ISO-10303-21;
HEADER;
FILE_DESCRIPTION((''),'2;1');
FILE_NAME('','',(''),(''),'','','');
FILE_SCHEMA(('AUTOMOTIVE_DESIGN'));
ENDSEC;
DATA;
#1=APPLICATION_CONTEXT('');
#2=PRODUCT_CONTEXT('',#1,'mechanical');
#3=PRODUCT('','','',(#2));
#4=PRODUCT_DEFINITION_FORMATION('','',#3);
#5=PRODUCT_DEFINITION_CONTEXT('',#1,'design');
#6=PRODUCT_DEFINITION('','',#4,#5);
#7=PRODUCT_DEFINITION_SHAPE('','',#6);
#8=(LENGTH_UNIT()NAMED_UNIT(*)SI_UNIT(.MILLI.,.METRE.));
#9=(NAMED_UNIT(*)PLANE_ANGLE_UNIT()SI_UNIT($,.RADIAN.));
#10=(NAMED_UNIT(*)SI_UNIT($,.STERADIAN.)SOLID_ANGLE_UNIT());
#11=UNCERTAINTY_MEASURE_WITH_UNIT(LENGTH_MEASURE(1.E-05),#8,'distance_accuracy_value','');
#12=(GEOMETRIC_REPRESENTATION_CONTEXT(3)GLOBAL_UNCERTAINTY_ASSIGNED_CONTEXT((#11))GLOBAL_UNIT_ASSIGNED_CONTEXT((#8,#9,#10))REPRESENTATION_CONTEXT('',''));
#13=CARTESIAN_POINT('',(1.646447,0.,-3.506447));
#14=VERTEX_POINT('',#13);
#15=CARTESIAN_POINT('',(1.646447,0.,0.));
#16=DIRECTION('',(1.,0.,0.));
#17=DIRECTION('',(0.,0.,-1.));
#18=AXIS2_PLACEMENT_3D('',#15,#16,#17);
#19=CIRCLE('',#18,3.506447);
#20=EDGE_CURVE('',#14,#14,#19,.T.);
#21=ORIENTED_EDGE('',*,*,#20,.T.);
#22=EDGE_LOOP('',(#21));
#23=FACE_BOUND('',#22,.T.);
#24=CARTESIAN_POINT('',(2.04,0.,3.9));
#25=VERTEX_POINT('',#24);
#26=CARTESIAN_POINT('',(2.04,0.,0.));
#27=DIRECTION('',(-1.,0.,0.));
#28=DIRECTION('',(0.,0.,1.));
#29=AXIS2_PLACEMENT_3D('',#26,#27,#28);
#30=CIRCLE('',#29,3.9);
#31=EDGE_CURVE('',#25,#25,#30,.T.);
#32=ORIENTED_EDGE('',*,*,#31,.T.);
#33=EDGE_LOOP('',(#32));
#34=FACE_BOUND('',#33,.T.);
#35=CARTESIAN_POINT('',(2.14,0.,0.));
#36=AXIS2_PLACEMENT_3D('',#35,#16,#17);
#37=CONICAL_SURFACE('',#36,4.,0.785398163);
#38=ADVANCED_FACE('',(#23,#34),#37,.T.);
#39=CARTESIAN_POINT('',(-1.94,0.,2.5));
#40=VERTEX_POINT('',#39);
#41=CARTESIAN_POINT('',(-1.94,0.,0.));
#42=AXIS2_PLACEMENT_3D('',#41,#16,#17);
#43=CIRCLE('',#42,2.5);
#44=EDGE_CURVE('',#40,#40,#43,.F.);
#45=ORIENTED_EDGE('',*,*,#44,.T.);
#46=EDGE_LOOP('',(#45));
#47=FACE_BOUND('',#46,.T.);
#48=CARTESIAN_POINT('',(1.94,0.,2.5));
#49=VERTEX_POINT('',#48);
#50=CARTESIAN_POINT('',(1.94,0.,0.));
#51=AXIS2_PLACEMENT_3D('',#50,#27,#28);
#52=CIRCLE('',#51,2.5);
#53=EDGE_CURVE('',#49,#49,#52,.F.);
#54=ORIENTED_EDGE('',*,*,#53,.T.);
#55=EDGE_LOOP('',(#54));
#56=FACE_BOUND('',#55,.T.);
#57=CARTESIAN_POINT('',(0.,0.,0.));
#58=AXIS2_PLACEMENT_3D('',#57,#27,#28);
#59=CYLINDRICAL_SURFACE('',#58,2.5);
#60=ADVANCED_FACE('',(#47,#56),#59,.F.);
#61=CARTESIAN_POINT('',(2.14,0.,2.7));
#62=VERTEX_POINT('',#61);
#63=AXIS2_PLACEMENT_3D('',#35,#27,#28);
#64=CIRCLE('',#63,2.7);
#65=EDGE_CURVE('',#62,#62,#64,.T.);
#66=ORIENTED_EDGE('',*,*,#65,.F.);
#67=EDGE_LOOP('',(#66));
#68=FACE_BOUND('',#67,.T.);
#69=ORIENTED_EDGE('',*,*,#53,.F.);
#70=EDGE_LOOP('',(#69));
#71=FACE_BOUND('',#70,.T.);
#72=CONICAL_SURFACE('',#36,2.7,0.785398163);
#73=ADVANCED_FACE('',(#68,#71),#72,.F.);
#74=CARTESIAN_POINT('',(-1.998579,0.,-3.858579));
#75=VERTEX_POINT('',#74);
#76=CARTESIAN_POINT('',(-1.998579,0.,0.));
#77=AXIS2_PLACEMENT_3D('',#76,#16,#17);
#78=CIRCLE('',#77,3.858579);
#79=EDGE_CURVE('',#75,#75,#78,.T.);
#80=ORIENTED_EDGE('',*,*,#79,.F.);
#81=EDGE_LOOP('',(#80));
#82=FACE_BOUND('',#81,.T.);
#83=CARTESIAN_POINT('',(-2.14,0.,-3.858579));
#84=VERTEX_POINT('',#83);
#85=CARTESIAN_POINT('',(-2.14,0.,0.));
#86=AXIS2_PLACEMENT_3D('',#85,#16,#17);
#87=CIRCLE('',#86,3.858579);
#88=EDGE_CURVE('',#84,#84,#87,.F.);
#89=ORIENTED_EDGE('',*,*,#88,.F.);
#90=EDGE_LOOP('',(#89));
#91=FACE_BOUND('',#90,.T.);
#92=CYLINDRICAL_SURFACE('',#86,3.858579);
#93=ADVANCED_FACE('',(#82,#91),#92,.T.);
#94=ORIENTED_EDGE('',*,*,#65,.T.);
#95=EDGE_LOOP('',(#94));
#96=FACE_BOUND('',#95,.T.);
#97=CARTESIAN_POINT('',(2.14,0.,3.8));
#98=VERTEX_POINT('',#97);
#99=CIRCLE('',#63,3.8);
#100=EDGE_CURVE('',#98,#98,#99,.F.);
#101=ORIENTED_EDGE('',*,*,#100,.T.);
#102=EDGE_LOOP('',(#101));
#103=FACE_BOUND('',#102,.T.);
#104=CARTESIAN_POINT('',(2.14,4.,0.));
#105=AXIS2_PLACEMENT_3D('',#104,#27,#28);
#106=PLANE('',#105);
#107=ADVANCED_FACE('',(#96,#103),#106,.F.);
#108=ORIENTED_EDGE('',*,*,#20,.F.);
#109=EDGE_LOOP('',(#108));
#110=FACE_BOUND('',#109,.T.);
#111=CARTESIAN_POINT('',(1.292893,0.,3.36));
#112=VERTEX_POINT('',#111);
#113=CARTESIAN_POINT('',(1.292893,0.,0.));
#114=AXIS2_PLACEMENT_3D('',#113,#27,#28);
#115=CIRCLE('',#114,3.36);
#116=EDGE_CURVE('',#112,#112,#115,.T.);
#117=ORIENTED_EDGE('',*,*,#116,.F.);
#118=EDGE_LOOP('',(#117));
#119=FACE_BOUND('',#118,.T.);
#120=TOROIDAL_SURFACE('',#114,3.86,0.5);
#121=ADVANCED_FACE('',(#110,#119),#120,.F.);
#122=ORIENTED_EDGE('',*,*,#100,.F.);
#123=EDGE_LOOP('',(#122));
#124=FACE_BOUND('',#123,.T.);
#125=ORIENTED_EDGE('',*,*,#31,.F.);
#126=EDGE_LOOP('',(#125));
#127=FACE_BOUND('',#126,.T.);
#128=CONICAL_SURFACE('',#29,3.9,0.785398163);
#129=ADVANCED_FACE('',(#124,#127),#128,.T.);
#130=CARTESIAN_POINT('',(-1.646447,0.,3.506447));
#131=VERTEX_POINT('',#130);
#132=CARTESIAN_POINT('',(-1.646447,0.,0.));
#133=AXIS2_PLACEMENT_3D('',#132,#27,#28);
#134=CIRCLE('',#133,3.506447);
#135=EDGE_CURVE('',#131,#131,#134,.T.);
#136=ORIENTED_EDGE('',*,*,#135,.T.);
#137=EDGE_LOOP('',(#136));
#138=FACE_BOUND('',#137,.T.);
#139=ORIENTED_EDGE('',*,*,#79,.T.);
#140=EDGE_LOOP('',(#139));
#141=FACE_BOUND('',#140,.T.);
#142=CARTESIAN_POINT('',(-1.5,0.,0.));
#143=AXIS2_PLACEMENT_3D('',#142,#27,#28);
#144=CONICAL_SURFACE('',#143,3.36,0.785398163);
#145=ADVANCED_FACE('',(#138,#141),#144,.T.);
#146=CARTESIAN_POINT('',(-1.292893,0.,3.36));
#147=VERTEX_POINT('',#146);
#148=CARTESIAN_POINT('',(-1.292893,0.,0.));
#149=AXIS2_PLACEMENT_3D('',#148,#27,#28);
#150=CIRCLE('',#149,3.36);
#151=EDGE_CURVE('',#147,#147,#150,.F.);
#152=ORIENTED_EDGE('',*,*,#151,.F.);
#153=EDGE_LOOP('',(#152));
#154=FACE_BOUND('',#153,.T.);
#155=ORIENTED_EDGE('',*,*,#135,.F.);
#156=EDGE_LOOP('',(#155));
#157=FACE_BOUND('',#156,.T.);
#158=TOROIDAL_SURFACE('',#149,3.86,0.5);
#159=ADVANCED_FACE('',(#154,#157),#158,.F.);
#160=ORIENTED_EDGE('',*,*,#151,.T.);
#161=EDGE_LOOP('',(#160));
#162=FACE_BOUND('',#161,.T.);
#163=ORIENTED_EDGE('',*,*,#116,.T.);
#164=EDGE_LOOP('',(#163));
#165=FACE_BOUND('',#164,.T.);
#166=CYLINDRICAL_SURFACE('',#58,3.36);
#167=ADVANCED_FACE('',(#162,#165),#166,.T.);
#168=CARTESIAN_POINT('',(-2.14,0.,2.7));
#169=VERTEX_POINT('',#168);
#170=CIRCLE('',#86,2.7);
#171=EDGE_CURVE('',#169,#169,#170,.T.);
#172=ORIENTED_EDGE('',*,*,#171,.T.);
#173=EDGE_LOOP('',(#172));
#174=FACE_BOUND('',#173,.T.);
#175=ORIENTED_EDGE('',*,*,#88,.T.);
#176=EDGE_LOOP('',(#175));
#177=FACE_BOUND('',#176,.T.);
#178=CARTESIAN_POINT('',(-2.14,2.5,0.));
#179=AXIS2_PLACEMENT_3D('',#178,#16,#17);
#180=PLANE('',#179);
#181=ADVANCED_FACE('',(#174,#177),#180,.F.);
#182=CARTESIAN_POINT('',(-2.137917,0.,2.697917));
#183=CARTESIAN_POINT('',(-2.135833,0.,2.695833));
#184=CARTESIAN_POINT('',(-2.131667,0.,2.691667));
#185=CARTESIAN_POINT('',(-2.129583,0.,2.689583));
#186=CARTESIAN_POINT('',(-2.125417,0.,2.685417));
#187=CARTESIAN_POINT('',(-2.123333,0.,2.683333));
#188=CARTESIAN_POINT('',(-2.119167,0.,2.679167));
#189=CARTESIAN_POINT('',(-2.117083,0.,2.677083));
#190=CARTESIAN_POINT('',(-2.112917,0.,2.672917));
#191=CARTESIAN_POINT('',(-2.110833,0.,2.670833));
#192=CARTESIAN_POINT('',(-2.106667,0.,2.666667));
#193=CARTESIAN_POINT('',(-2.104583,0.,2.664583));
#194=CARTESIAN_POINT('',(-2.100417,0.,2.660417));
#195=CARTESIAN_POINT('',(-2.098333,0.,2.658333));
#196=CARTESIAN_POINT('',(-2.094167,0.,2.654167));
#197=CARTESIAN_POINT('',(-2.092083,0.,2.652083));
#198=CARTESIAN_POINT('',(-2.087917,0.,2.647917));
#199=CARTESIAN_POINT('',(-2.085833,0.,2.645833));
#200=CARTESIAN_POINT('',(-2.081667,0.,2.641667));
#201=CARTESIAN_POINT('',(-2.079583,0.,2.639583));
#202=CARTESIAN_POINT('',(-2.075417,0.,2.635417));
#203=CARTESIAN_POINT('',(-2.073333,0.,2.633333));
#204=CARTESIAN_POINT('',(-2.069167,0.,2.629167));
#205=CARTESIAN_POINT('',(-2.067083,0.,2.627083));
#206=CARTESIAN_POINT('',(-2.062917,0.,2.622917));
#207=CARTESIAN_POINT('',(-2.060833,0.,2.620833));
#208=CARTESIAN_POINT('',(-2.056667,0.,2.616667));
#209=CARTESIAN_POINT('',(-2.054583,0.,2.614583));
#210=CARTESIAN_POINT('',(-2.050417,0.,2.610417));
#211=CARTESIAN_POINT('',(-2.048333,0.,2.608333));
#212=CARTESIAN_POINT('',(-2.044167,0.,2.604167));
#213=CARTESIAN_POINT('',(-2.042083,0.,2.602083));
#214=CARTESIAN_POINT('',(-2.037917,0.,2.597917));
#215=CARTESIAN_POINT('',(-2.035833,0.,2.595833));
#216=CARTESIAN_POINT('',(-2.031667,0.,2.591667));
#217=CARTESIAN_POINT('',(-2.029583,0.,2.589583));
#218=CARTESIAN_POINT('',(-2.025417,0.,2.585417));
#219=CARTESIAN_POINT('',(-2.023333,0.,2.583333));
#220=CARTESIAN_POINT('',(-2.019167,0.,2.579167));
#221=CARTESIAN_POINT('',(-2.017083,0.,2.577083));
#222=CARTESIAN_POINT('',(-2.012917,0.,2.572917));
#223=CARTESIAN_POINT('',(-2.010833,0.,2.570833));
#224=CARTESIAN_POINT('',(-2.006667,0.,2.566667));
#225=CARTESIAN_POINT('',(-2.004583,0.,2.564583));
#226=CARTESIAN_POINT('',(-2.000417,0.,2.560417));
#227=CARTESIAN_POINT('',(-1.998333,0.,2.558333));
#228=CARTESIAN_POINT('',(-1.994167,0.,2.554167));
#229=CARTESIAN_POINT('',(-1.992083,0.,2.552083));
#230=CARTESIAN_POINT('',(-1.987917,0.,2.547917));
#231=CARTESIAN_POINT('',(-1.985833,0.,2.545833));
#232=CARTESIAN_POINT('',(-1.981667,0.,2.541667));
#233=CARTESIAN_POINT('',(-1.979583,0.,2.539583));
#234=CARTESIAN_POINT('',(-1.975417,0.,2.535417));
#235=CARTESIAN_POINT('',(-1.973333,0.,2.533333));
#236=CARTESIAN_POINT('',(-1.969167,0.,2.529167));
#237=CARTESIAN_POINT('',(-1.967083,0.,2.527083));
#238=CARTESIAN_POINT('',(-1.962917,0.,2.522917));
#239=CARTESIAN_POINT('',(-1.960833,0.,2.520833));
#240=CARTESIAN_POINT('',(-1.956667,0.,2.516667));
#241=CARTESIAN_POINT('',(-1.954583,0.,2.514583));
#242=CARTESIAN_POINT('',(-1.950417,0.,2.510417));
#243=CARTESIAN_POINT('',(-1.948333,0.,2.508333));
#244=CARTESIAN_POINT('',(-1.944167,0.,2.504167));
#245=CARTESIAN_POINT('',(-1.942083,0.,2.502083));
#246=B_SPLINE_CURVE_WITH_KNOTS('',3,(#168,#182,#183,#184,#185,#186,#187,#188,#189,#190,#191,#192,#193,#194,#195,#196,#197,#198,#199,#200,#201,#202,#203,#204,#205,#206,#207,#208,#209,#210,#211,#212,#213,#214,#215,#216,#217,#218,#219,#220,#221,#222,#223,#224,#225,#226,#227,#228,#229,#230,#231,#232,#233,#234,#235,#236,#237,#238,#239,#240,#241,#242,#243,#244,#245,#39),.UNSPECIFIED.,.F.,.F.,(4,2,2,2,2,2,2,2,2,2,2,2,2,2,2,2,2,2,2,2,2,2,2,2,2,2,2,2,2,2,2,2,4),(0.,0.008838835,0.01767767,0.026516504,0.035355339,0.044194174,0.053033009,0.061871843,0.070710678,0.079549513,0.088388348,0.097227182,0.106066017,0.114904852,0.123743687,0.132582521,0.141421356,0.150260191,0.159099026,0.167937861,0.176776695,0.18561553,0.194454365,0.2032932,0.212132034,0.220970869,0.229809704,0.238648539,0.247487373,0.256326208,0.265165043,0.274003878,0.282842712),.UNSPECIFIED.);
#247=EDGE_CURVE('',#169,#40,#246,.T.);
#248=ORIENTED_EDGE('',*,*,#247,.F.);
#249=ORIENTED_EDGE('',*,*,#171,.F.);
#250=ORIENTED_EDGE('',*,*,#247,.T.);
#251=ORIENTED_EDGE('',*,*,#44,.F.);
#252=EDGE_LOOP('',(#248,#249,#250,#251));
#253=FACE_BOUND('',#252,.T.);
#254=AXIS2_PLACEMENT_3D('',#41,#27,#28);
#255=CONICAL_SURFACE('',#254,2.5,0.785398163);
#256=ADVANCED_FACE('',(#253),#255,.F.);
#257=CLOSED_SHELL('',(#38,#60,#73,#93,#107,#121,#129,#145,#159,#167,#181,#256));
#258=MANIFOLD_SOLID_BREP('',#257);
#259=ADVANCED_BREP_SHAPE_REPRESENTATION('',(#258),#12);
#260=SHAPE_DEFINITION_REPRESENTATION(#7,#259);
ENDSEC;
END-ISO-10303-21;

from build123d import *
from OCP.BRepFilletAPI import BRepFilletAPI_MakeChamfer

# Parameters (mm, degrees)
CHAMFER1_SIZE  = 0.2
CHAMFER1_SIZE2 = 0.141421356
FILLET1_R      = 0.5


with BuildPart() as part:
    # Sketch1 → Revolve1 (revolve)
    with BuildSketch(Plane.XY, mode=Mode.PRIVATE) as revolve1_sk:
        Polygon((0, 3.36), (1.5, 3.36), (2.14, 4), (2.14, 2.5), (-2.14, 2.5), (-2.14, 4), (-1.5, 3.36), align=None)
    revolve(revolve1_sk.sketch.rotate(Axis((0, 0, 0), (1, 0, 0)), 90), axis=Axis((0, 0, 0), (1, 0, 0)))

    # Chamfer1: one chamfer whose edges measure the first distance from different faces: ONE call of the kernel's chamfer builder (chamfer() names one face for all edges)
    chamfer1_edges_1 = [part.edges().sort_by_distance(p)[0] for p in [
        (-2.14, 0, -4),
    ]]
    chamfer1_side_1 = [part.faces().sort_by_distance(p)[0] for p in [
        (-1.82, 0, -3.68),
    ]]
    chamfer1_edges_2 = [part.edges().sort_by_distance(p)[0] for p in [
        (-2.14, 0, -2.5),
        (2.14, 0, -2.5),
    ]]
    chamfer1_edges_3 = [part.edges().sort_by_distance(p)[0] for p in [
        (2.14, 0, -4),
    ]]
    chamfer1_side_3 = [part.faces().sort_by_distance(p)[0] for p in [
        (2.14, 0, -3.886862915),
    ]]
    chamfer1 = BRepFilletAPI_MakeChamfer(part.part.solid().wrapped)
    for e in chamfer1_edges_1:
        chamfer1.Add(CHAMFER1_SIZE, CHAMFER1_SIZE2, e.wrapped, chamfer1_side_1[0].wrapped)  # the first distance lies on this face
    for e in chamfer1_edges_2:
        chamfer1.Add(CHAMFER1_SIZE, e.wrapped)
    for e in chamfer1_edges_3:
        chamfer1.Add(CHAMFER1_SIZE, CHAMFER1_SIZE2, e.wrapped, chamfer1_side_3[0].wrapped)  # the first distance lies on this face
    add(Compound.cast(chamfer1.Shape()), mode=Mode.REPLACE)

    # Fillet1
    fillet1_edges = [part.edges().sort_by_distance(p)[0] for p in [
        (-1.5, 0, -3.36),
        (1.5, 0, -3.36),
    ]]
    fillet(fillet1_edges, radius=FILLET1_R)


solid = part.part
